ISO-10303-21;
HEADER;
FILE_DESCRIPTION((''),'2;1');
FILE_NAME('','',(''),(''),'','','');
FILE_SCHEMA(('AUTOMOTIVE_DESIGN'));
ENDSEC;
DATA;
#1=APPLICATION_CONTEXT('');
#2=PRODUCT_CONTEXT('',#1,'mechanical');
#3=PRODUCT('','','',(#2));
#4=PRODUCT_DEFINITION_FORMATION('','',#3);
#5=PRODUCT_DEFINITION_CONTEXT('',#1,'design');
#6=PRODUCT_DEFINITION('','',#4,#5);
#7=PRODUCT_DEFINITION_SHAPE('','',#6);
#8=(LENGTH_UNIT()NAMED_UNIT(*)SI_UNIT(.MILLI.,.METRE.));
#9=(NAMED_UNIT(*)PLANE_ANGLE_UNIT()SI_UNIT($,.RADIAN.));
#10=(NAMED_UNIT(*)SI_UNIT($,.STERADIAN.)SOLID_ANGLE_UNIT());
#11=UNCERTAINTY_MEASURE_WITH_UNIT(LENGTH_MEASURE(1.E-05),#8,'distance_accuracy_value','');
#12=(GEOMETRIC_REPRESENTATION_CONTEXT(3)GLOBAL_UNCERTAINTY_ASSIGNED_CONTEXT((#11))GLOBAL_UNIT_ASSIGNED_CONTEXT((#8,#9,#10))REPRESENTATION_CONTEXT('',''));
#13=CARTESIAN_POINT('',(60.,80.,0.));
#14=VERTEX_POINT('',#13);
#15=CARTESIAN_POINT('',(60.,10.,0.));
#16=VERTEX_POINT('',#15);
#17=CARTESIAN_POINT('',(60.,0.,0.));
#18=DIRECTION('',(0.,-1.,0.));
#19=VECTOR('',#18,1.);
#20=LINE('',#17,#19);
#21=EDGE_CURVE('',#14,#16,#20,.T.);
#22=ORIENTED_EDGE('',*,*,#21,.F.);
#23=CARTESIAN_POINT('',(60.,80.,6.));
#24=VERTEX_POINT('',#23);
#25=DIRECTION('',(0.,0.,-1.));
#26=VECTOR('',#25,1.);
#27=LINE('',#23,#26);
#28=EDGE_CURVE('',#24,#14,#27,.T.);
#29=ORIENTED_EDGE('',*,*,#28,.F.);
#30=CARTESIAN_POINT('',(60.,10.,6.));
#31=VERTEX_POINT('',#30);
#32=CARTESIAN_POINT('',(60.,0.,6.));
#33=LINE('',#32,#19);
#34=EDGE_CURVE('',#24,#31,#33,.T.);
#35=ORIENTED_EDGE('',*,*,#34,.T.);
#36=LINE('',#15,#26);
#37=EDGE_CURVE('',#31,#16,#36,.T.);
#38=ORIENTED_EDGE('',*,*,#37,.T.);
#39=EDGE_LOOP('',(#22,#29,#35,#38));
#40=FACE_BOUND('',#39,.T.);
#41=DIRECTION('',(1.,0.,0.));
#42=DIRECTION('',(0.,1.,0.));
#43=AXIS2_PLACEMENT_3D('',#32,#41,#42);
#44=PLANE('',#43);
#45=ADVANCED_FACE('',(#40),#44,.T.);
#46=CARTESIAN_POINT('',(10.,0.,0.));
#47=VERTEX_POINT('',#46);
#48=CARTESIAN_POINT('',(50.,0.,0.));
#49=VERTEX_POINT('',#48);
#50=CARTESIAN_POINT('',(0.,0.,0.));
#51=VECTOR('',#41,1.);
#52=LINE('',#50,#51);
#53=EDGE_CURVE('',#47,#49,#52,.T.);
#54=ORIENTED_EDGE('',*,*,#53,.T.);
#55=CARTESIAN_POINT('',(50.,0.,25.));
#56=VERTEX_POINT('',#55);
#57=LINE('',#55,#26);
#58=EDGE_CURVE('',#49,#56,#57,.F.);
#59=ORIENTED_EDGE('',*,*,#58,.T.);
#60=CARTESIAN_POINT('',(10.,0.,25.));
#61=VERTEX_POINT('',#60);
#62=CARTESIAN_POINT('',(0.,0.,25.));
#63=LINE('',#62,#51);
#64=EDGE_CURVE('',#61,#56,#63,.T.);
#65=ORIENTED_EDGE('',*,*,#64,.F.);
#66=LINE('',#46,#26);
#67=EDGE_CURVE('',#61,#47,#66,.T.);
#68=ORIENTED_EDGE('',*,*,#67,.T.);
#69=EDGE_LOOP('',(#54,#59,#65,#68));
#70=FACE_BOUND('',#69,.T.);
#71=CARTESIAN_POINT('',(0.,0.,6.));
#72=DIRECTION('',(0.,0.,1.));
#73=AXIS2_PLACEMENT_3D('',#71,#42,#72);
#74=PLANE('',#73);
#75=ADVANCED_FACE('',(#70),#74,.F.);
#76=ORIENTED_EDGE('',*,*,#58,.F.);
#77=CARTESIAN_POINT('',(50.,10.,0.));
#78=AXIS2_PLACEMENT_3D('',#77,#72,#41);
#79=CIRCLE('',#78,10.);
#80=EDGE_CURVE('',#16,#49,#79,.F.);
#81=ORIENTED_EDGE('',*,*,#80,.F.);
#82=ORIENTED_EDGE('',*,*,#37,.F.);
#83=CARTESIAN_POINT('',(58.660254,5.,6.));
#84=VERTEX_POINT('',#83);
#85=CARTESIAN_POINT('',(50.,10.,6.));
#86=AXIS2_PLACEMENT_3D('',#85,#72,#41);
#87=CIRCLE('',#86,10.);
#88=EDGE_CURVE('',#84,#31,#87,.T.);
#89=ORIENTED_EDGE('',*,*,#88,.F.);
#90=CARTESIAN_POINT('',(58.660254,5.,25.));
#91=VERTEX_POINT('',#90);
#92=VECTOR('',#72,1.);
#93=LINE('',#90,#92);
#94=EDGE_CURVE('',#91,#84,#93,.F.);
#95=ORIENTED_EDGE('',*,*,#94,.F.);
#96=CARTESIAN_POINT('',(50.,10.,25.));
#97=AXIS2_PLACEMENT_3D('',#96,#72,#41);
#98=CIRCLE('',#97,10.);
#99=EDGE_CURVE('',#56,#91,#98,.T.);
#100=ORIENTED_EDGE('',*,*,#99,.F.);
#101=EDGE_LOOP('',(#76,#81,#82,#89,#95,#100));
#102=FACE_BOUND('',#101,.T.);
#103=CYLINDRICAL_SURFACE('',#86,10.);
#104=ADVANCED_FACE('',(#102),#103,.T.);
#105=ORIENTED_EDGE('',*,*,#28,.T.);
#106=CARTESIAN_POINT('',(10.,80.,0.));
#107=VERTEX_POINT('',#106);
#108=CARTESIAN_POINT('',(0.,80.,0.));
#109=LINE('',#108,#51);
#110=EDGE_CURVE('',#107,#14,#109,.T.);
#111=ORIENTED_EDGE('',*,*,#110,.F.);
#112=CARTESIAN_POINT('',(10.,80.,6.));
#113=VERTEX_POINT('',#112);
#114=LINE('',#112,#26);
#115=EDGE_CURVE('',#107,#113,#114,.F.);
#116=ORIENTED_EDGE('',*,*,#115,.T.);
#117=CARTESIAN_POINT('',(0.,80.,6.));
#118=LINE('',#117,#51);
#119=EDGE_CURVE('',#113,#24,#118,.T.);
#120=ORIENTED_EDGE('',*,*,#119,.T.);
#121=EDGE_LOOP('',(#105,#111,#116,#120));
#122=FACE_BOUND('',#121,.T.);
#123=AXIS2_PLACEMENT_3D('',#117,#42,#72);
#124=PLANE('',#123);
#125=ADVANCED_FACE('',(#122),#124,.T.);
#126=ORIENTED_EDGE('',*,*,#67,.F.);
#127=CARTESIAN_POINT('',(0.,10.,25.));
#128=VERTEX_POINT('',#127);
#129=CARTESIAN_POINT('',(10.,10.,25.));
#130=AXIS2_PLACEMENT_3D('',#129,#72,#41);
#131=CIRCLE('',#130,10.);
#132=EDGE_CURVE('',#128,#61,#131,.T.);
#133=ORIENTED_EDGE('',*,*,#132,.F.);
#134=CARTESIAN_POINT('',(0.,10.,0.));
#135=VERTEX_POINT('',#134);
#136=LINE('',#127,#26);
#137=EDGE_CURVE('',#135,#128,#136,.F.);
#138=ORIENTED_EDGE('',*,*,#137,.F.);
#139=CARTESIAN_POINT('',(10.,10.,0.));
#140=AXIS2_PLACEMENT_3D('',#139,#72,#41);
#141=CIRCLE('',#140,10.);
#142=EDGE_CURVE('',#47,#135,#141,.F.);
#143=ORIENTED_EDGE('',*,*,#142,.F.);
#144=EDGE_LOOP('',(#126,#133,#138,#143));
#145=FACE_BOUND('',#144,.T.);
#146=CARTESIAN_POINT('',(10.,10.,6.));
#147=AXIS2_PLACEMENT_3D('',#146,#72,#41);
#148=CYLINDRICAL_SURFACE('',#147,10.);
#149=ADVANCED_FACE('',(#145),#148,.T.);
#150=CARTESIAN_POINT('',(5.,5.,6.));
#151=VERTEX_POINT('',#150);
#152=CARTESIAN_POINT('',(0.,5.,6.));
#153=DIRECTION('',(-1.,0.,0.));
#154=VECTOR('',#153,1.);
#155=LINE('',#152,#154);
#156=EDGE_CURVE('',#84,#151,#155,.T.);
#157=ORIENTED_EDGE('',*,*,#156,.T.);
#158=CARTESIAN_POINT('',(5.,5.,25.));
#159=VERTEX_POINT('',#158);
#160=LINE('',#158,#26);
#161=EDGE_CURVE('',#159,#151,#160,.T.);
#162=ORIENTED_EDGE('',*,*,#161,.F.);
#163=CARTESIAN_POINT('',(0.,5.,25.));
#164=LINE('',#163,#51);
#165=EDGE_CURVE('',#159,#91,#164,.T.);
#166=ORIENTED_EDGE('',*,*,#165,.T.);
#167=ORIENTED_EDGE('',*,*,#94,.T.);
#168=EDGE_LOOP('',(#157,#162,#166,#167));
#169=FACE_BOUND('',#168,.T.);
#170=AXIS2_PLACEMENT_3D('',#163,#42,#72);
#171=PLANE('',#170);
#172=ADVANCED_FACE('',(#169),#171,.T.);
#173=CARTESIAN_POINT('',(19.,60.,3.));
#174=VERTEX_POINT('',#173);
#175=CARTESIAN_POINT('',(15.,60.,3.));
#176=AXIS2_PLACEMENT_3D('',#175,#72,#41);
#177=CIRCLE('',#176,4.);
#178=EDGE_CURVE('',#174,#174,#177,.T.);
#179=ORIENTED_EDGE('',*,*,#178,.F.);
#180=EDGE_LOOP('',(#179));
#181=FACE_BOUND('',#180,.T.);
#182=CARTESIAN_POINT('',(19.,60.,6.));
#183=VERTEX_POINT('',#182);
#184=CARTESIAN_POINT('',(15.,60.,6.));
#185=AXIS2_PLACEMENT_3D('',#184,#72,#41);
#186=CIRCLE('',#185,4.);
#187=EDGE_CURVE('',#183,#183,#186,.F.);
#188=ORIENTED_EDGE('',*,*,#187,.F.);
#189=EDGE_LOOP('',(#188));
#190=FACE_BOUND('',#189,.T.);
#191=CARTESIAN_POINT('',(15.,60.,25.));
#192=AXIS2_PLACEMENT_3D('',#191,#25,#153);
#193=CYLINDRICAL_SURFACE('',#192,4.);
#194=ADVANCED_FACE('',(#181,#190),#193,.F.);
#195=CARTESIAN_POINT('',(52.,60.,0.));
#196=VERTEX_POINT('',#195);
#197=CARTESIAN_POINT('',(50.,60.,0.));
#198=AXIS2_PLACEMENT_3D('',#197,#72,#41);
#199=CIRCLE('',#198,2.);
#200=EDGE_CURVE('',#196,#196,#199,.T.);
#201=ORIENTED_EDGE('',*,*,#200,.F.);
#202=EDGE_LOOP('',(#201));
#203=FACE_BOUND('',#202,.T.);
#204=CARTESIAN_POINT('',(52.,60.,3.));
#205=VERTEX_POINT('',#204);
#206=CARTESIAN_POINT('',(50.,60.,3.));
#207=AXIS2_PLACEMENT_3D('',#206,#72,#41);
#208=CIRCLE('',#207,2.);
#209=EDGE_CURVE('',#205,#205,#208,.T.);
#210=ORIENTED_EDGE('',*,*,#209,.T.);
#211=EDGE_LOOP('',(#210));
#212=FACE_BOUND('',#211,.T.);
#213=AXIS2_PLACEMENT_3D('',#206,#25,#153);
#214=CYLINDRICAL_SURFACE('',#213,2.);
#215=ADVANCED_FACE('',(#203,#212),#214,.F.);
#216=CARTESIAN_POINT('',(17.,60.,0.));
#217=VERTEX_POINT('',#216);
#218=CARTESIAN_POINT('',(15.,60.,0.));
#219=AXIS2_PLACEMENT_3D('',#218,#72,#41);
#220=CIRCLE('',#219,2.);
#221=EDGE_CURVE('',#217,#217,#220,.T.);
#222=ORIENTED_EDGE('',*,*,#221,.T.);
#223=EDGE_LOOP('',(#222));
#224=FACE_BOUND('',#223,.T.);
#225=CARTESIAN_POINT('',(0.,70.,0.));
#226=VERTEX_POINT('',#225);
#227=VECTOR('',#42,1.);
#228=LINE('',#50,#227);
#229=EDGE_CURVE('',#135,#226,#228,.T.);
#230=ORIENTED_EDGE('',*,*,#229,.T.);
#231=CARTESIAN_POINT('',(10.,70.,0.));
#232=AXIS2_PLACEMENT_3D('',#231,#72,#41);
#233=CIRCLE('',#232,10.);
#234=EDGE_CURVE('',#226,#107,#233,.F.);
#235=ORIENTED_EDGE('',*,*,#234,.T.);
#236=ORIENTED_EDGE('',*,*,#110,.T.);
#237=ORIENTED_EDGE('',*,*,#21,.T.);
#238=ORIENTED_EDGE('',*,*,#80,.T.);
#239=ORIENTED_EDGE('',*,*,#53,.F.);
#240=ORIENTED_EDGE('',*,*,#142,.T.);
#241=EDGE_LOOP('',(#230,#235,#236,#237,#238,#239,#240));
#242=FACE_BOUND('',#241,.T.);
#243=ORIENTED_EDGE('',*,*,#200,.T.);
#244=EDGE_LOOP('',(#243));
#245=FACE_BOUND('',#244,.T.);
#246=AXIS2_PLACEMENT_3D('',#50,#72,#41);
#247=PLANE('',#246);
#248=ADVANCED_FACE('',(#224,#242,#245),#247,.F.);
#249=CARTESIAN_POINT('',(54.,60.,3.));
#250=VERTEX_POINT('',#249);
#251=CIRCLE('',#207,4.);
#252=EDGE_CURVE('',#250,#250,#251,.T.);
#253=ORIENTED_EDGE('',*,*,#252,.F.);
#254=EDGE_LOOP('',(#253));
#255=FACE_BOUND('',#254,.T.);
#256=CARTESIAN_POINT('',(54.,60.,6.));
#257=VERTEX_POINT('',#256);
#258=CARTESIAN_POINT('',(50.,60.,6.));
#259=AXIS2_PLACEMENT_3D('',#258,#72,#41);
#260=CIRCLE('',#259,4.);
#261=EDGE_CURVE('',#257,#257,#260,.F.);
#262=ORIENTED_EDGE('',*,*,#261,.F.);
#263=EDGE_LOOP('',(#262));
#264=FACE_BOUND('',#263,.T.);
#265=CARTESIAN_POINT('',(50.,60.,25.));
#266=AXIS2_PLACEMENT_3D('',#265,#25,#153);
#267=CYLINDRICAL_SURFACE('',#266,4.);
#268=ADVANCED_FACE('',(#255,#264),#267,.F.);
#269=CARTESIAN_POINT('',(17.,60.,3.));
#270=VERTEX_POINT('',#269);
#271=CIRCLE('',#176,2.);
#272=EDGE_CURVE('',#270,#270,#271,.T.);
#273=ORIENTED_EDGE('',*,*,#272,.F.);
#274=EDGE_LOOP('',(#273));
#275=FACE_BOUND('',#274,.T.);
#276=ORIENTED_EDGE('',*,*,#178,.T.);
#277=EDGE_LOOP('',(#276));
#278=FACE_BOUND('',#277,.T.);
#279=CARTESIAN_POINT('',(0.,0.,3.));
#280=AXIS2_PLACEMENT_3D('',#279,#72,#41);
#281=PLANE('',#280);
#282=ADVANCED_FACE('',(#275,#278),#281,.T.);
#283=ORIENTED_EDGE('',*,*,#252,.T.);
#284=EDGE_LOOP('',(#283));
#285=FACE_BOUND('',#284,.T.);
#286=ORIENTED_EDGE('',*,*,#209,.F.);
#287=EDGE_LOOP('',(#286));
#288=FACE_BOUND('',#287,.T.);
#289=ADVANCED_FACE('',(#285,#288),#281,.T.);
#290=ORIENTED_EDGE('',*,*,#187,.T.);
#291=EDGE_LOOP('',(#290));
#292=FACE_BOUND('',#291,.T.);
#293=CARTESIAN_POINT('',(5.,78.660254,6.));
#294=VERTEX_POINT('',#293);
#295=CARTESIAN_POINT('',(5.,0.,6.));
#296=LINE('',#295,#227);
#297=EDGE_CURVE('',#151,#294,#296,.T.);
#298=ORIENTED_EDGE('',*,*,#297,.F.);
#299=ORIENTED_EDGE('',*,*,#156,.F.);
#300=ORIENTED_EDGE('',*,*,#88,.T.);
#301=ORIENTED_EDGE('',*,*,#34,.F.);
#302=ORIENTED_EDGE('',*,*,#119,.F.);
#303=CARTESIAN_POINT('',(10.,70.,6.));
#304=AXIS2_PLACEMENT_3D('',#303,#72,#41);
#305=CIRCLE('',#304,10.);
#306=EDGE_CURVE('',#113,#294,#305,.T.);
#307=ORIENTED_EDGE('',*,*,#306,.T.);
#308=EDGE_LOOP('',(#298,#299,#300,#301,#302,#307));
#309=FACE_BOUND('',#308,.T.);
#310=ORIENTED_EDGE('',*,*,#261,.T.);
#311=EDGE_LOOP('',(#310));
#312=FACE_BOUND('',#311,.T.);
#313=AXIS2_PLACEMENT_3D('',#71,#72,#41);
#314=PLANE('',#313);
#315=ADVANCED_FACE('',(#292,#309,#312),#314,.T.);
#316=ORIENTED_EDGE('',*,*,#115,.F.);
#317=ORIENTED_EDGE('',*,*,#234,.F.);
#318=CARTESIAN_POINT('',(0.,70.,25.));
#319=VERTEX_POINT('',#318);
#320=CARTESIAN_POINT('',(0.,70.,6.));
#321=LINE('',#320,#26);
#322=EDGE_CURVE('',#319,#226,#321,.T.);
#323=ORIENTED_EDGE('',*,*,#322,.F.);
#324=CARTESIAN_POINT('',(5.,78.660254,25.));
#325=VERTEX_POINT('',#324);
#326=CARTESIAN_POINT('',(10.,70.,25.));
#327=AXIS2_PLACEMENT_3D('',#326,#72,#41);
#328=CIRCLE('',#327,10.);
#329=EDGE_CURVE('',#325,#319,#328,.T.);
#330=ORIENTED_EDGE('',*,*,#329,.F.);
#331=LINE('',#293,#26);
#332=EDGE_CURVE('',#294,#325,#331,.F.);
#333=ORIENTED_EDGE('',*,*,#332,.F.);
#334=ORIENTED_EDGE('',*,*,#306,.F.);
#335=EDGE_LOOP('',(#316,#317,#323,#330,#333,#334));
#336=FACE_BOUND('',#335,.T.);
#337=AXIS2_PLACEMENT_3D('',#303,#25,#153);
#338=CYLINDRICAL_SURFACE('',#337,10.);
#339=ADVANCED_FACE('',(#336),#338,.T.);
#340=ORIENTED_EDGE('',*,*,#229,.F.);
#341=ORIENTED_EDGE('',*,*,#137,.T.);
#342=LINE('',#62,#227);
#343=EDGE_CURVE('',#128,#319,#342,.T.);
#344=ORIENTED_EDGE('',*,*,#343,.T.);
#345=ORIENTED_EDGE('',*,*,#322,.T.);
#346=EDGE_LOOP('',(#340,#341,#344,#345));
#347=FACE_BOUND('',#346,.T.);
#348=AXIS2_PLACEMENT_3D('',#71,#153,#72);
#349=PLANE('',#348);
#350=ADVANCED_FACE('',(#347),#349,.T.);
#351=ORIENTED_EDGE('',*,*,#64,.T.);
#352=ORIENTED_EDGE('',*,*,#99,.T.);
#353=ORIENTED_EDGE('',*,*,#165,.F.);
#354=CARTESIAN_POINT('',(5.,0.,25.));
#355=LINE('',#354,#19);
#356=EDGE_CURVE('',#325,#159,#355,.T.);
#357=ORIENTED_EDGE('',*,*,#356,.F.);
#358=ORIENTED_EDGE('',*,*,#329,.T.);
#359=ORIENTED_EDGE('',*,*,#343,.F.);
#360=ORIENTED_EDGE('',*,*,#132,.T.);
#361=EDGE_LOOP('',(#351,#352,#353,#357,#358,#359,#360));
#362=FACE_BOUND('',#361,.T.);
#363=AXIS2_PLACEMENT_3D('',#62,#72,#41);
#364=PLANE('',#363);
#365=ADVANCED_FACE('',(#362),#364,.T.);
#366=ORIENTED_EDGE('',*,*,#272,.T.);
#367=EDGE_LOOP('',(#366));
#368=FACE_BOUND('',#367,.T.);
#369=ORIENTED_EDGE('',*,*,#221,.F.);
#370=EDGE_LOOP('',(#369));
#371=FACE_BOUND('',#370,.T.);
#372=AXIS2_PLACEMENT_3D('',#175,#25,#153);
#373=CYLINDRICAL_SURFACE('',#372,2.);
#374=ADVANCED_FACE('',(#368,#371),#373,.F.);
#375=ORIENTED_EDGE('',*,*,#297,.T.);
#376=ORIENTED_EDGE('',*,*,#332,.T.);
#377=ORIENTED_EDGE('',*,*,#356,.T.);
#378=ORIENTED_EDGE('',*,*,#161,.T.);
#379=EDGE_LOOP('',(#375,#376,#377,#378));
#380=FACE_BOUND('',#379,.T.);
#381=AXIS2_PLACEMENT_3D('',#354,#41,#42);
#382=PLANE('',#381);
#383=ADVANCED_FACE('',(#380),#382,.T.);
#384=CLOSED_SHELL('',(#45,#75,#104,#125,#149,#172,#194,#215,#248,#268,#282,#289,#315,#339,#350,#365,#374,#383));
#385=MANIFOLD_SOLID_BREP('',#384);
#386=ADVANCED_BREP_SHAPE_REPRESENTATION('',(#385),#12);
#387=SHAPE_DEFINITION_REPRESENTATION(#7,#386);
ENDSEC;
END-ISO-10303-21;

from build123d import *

# Parameters (mm, degrees)
SKETCH1_W           = 60
SKETCH1_H           = 80
BOSS_EXTRUDE4_DEPTH = 6
BOSS_EXTRUDE5_DEPTH = 25
SKETCH1_15_R        = 2
CUT_EXTRUDE1_DEPTH  = 25
SKETCH1_16_R        = 4
SKETCH1_16_R_2      = 2
CUT_EXTRUDE2_DEPTH  = 25
SKETCH1_18_R        = 4
SKETCH1_18_R_2      = 2
BOSS_EXTRUDE7_DEPTH = 3
FILLET1_R           = 10


with BuildPart() as part:
    # Sketch1 → Boss-Extrude4 (new body)
    with BuildSketch(Plane.XY):
        with Locations((30, 40)):
            Rectangle(SKETCH1_W, SKETCH1_H)
    extrude(amount=BOSS_EXTRUDE4_DEPTH)

    # Sketch1<12> → Boss-Extrude5 (add)
    with BuildSketch(Plane.XY):
        Polygon((5, 5), (5, 80), (0, 80), (0, 0), (60, 0), (60, 5), align=None)
    extrude(amount=BOSS_EXTRUDE5_DEPTH)

    # Sketch1<15> → Cut-Extrude1 (cut)
    with BuildSketch(Plane.XY):
        with Locations((50, 60)):
            Circle(SKETCH1_15_R)
        with Locations((15, 60)):
            Circle(SKETCH1_15_R)
    extrude(amount=CUT_EXTRUDE1_DEPTH, mode=Mode.SUBTRACT)

    # Sketch1<16> → Cut-Extrude2 (cut)
    # profile 1 of 2: a face of its own
    with BuildSketch(Plane.XY):
        with Locations((50, 60)):
            Circle(SKETCH1_16_R)
        with Locations((50, 60)):
            Circle(SKETCH1_16_R_2, mode=Mode.SUBTRACT)
    # profile 2 of 2: a face of its own
    with BuildSketch(Plane.XY):
        with Locations((15, 60)):
            Circle(SKETCH1_16_R)
        with Locations((15, 60)):
            Circle(SKETCH1_16_R_2, mode=Mode.SUBTRACT)
    extrude(amount=CUT_EXTRUDE2_DEPTH, mode=Mode.SUBTRACT)

    # Sketch1<18> → Boss-Extrude7 (add)
    # profile 1 of 2: a face of its own
    with BuildSketch(Plane.XY):
        with Locations((50, 60)):
            Circle(SKETCH1_18_R)
        with Locations((50, 60)):
            Circle(SKETCH1_18_R_2, mode=Mode.SUBTRACT)
    # profile 2 of 2: a face of its own
    with BuildSketch(Plane.XY):
        with Locations((15, 60)):
            Circle(SKETCH1_18_R)
        with Locations((15, 60)):
            Circle(SKETCH1_18_R_2, mode=Mode.SUBTRACT)
    extrude(amount=BOSS_EXTRUDE7_DEPTH)

    # Fillet1
    fillet1_edges = [part.edges().sort_by_distance(p)[0] for p in [
        (60, 0, 12.5),
        (0, 80, 12.5),
        (0, 0, 12.5),
    ]]
    fillet(fillet1_edges, radius=FILLET1_R)


solid = part.part
